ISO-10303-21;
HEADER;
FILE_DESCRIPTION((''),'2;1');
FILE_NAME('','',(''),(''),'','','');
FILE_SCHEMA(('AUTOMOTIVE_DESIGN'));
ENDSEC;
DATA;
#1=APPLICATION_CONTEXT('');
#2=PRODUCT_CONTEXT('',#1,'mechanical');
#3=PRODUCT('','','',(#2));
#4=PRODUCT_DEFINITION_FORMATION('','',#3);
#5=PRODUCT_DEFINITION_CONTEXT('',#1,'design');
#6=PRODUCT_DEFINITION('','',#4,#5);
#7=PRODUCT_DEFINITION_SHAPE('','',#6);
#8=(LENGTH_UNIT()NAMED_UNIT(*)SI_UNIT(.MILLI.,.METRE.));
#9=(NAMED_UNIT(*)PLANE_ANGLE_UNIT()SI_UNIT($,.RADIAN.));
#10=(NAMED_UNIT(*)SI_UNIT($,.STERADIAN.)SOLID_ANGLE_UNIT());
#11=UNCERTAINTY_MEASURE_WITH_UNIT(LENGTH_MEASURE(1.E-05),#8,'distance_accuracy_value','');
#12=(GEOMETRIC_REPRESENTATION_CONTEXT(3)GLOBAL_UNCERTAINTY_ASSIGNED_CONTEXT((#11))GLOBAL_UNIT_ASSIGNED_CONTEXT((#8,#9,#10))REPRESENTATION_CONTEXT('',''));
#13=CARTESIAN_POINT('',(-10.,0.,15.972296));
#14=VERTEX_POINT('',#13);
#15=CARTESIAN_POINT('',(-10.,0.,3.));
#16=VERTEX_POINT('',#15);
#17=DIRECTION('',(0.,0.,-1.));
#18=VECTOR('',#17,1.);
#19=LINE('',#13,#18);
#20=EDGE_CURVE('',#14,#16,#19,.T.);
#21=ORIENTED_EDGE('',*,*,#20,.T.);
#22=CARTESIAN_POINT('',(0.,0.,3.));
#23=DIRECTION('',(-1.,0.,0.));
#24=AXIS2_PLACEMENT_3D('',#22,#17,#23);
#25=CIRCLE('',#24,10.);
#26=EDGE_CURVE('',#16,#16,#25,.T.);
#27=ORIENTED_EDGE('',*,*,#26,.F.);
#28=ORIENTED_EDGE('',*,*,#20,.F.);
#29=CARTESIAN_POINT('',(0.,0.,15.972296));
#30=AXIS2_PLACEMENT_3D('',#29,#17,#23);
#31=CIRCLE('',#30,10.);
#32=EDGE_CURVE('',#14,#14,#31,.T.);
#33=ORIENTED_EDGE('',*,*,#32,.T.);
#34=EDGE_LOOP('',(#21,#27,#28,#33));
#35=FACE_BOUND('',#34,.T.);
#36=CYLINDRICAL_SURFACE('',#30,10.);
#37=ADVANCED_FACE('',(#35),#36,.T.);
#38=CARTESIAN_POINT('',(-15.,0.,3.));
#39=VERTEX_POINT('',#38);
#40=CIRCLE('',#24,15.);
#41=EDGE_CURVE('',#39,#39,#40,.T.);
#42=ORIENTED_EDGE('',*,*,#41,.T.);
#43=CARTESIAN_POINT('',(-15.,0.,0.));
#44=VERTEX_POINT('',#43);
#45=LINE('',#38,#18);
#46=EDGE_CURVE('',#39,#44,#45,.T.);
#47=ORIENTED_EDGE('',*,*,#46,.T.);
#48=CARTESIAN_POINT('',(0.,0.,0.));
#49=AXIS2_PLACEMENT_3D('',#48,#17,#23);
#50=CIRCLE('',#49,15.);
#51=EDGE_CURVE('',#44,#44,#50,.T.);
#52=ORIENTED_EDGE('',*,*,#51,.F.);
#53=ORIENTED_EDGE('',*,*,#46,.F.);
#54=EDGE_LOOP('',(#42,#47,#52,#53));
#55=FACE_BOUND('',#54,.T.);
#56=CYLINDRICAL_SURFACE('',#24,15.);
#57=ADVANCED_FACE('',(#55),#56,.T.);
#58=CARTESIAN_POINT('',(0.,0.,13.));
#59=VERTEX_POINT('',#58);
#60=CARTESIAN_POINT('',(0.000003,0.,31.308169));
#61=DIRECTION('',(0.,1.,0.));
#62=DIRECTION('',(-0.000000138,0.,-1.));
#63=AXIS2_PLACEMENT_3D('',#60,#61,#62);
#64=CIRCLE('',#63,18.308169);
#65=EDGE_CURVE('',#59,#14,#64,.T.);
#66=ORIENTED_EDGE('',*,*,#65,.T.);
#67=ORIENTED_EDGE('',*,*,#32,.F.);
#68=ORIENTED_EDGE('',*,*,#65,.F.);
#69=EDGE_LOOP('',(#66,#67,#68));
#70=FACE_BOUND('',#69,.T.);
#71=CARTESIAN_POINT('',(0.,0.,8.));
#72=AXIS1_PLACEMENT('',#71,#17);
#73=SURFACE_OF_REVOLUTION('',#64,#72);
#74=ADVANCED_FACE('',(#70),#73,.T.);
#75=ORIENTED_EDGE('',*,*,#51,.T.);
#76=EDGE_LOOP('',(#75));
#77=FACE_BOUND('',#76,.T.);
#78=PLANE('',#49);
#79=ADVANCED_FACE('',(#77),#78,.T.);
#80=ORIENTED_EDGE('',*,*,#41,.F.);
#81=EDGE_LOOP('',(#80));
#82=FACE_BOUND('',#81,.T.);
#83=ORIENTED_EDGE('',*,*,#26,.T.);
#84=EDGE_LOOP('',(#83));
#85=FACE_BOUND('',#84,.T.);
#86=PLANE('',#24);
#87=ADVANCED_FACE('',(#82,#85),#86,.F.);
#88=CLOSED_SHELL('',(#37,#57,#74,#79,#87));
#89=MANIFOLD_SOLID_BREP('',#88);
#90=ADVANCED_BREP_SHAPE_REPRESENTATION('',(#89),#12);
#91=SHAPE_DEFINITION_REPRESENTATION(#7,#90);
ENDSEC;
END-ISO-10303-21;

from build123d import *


with BuildPart() as f1:
    # F0 (on Front) → F1 (revolve)
    with BuildSketch(Plane.XZ):
        Polygon((-15, 0), (0, 0), (0, 3), (-10, 3), (-15, 3), align=None)
        with BuildLine():
            Line((-10, 3), (0, 3))
            Line((0, 3), (0, 13))
            ThreePointArc((0, 13), (-5.21619, 13.758799), (-10, 15.972296))
            Line((-10, 15.972296), (-10, 3))
        make_face()
    revolve(axis=Axis((0, 0, 8), (0, 0, -1)))


solid = f1.part
